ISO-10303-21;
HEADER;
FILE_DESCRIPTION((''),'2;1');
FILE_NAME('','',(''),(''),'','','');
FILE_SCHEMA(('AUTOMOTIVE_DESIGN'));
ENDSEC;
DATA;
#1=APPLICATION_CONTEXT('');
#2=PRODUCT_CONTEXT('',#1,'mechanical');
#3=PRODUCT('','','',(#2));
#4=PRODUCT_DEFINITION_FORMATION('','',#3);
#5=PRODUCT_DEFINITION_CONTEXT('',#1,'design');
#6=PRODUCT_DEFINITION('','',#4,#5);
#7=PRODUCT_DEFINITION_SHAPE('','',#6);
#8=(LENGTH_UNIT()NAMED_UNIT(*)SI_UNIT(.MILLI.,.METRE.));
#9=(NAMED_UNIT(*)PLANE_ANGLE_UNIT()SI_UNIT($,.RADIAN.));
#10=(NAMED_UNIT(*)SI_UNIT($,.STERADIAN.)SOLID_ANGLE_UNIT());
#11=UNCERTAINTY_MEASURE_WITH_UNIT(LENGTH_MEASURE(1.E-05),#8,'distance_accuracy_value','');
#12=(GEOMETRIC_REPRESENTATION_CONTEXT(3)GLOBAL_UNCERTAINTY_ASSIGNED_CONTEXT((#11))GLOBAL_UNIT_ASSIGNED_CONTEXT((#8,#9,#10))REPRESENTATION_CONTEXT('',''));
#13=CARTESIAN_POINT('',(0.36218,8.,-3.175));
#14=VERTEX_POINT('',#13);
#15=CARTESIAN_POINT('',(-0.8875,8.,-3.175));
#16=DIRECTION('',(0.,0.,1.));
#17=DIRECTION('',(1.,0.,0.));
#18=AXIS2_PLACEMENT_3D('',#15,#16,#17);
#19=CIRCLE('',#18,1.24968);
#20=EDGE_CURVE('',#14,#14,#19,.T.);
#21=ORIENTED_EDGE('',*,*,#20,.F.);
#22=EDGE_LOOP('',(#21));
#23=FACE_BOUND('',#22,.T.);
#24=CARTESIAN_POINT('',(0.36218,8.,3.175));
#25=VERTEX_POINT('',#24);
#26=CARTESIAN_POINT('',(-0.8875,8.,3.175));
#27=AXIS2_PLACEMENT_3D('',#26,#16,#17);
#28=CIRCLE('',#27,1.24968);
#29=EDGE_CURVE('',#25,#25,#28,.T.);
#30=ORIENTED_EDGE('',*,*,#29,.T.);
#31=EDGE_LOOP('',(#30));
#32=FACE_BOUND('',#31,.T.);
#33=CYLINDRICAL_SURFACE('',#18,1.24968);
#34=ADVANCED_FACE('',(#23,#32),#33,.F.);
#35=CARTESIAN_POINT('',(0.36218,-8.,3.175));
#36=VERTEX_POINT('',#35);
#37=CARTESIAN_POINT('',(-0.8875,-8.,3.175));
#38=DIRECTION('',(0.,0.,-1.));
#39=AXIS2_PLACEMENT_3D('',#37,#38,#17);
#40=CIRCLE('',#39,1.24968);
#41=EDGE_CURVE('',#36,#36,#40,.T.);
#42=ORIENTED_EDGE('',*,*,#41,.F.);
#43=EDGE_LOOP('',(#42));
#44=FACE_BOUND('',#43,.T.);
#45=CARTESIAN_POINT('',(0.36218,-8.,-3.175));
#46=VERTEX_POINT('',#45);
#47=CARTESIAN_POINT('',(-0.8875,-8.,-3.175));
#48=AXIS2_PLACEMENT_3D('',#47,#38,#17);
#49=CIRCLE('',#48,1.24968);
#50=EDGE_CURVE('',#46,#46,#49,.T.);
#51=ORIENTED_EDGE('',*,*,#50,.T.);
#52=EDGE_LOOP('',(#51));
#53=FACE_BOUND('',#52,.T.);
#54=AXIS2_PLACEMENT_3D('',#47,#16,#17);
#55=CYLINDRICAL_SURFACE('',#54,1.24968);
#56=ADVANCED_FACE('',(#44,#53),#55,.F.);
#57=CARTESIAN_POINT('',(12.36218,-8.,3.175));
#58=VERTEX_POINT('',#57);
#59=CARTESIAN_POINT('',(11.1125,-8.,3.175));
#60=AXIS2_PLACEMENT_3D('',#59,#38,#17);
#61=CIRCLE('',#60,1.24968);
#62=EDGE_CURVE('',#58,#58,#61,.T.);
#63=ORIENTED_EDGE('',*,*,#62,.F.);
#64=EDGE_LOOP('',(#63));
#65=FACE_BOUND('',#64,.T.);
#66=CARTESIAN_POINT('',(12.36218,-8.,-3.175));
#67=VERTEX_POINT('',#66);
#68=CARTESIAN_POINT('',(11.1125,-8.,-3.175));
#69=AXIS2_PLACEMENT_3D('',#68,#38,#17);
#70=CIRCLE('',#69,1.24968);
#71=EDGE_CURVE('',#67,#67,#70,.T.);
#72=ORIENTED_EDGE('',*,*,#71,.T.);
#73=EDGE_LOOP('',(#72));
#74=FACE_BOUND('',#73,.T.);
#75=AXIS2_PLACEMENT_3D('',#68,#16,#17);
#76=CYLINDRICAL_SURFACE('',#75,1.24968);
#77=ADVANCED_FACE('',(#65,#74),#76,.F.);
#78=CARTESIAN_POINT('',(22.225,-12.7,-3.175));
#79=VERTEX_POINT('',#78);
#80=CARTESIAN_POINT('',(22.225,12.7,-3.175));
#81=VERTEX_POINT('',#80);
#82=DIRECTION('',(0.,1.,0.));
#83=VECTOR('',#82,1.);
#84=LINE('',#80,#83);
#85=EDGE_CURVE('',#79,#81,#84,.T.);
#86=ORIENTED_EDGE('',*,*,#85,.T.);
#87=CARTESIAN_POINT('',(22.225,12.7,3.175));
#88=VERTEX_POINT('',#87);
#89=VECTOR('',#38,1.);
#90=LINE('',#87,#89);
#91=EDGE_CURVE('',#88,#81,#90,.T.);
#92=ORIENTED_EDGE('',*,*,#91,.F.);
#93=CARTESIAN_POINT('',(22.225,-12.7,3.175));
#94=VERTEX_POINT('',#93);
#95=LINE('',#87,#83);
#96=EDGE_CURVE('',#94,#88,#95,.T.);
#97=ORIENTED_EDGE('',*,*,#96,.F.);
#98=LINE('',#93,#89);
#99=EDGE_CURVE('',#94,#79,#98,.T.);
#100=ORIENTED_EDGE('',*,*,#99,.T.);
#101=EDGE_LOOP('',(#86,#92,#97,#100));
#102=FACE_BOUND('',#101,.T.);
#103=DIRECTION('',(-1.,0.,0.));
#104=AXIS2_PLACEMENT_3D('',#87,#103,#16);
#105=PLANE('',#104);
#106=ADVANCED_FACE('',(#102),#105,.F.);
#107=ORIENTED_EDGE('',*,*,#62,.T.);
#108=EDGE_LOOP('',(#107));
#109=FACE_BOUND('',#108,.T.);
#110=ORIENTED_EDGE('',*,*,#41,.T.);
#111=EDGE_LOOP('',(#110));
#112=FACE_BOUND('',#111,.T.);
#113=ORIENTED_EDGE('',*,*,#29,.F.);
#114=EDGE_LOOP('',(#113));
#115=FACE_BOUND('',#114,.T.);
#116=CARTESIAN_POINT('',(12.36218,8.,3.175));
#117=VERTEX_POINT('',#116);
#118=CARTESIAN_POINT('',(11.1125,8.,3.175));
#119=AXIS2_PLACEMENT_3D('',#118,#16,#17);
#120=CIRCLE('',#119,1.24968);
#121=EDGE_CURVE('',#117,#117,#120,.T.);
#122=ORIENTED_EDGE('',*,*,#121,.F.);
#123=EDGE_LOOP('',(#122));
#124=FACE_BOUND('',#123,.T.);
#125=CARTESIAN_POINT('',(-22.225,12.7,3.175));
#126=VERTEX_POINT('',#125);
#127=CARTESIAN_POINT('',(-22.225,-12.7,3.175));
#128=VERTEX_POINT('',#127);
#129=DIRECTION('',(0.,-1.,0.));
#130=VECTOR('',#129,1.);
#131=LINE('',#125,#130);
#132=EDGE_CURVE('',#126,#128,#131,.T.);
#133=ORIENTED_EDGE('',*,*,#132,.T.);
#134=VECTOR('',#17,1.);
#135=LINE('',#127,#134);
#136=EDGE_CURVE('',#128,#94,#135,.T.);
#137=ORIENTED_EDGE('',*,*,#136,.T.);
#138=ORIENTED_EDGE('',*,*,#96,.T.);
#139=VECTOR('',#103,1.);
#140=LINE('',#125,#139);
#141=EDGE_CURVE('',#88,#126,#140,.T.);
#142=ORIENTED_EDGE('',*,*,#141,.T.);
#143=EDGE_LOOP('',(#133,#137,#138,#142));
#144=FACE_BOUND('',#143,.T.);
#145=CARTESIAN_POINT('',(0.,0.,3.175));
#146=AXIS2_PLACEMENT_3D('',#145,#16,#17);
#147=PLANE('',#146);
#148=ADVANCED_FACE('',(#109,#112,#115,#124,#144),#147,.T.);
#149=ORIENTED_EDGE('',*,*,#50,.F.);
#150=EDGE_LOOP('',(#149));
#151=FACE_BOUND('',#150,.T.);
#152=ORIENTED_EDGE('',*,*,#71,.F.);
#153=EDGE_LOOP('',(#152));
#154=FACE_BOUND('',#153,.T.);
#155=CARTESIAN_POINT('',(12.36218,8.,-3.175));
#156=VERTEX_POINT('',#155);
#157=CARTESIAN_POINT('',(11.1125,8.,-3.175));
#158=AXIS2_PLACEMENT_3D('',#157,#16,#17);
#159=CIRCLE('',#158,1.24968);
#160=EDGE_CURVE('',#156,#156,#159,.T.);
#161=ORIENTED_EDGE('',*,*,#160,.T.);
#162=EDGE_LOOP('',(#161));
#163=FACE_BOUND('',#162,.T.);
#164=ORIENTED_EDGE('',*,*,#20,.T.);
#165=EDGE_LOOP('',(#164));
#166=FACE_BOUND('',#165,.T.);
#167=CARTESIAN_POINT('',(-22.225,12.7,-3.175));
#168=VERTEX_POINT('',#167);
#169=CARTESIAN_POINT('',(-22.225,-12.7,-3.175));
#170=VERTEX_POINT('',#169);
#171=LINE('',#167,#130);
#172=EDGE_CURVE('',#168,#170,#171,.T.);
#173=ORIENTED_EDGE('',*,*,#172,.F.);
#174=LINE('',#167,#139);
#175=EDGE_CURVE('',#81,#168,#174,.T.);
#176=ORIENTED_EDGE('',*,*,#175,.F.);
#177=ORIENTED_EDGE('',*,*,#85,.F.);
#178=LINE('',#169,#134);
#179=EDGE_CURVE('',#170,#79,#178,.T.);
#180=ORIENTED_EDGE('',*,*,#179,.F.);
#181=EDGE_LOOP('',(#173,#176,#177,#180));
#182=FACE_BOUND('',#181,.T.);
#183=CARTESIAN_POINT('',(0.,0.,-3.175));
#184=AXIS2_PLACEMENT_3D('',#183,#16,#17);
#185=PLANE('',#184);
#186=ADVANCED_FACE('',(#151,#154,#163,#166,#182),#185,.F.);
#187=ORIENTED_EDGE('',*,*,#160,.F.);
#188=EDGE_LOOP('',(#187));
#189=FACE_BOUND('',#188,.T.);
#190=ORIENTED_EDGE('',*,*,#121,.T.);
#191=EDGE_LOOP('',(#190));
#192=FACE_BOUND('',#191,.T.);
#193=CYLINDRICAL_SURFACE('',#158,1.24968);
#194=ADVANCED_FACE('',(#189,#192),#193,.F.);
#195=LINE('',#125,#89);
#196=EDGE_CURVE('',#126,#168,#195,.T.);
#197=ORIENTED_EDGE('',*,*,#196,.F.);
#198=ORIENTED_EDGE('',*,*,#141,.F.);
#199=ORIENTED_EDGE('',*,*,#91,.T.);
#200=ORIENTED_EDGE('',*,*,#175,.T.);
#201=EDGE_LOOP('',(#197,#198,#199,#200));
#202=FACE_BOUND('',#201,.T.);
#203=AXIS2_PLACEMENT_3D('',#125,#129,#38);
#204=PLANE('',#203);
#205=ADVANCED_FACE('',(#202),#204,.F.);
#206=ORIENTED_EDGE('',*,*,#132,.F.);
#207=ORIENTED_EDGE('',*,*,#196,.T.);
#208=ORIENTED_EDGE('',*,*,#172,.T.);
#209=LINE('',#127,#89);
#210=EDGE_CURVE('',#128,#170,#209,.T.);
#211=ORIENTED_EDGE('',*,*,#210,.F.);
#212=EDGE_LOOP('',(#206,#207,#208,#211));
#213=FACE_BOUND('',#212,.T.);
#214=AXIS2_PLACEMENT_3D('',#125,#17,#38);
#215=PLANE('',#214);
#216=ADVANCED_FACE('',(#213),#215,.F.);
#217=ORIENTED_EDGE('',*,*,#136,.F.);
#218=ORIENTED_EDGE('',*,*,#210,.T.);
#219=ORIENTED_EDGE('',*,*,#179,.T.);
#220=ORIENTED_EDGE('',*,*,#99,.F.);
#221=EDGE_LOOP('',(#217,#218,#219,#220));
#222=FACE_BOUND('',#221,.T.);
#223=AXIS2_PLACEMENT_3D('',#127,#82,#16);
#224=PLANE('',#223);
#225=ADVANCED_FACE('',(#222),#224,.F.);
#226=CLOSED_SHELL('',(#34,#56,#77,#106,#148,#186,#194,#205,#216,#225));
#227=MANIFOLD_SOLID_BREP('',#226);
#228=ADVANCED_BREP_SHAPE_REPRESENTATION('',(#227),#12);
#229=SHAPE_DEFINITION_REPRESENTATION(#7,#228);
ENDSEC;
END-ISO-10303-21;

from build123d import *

# Parameters (mm, degrees)
ESQUISSE1_W             = 44.45
ESQUISSE1_H             = 25.4
BOSS_EXTRU_1_DEPTH      = 3.175
ESQUISSE2_R             = 1.24968
ENL_V_MAT_EXTRU_1_DEPTH = 27.373530765


with BuildPart() as part:
    # Esquisse1 → Boss.-Extru.1 (new, symmetric)
    with BuildSketch(Plane.XY):
        Rectangle(ESQUISSE1_W, ESQUISSE1_H)
    extrude(amount=BOSS_EXTRU_1_DEPTH, both=True)

    # Esquisse2 → Enlèv. mat.-Extru.1 (cut, through all)
    with BuildSketch(Plane.XY.offset(3.175)):
        with Locations((-0.8875, 8)):
            Circle(ESQUISSE2_R)
        with Locations((11.1125, 8)):
            Circle(ESQUISSE2_R)
    enl_v_mat_extru_1 = extrude(amount=-ENL_V_MAT_EXTRU_1_DEPTH, mode=Mode.SUBTRACT)

    # Symétrie1: Enlèv. mat.-Extru.1 across plane
    add(enl_v_mat_extru_1.mirror(Plane.ZX), mode=Mode.SUBTRACT)


solid = part.part
